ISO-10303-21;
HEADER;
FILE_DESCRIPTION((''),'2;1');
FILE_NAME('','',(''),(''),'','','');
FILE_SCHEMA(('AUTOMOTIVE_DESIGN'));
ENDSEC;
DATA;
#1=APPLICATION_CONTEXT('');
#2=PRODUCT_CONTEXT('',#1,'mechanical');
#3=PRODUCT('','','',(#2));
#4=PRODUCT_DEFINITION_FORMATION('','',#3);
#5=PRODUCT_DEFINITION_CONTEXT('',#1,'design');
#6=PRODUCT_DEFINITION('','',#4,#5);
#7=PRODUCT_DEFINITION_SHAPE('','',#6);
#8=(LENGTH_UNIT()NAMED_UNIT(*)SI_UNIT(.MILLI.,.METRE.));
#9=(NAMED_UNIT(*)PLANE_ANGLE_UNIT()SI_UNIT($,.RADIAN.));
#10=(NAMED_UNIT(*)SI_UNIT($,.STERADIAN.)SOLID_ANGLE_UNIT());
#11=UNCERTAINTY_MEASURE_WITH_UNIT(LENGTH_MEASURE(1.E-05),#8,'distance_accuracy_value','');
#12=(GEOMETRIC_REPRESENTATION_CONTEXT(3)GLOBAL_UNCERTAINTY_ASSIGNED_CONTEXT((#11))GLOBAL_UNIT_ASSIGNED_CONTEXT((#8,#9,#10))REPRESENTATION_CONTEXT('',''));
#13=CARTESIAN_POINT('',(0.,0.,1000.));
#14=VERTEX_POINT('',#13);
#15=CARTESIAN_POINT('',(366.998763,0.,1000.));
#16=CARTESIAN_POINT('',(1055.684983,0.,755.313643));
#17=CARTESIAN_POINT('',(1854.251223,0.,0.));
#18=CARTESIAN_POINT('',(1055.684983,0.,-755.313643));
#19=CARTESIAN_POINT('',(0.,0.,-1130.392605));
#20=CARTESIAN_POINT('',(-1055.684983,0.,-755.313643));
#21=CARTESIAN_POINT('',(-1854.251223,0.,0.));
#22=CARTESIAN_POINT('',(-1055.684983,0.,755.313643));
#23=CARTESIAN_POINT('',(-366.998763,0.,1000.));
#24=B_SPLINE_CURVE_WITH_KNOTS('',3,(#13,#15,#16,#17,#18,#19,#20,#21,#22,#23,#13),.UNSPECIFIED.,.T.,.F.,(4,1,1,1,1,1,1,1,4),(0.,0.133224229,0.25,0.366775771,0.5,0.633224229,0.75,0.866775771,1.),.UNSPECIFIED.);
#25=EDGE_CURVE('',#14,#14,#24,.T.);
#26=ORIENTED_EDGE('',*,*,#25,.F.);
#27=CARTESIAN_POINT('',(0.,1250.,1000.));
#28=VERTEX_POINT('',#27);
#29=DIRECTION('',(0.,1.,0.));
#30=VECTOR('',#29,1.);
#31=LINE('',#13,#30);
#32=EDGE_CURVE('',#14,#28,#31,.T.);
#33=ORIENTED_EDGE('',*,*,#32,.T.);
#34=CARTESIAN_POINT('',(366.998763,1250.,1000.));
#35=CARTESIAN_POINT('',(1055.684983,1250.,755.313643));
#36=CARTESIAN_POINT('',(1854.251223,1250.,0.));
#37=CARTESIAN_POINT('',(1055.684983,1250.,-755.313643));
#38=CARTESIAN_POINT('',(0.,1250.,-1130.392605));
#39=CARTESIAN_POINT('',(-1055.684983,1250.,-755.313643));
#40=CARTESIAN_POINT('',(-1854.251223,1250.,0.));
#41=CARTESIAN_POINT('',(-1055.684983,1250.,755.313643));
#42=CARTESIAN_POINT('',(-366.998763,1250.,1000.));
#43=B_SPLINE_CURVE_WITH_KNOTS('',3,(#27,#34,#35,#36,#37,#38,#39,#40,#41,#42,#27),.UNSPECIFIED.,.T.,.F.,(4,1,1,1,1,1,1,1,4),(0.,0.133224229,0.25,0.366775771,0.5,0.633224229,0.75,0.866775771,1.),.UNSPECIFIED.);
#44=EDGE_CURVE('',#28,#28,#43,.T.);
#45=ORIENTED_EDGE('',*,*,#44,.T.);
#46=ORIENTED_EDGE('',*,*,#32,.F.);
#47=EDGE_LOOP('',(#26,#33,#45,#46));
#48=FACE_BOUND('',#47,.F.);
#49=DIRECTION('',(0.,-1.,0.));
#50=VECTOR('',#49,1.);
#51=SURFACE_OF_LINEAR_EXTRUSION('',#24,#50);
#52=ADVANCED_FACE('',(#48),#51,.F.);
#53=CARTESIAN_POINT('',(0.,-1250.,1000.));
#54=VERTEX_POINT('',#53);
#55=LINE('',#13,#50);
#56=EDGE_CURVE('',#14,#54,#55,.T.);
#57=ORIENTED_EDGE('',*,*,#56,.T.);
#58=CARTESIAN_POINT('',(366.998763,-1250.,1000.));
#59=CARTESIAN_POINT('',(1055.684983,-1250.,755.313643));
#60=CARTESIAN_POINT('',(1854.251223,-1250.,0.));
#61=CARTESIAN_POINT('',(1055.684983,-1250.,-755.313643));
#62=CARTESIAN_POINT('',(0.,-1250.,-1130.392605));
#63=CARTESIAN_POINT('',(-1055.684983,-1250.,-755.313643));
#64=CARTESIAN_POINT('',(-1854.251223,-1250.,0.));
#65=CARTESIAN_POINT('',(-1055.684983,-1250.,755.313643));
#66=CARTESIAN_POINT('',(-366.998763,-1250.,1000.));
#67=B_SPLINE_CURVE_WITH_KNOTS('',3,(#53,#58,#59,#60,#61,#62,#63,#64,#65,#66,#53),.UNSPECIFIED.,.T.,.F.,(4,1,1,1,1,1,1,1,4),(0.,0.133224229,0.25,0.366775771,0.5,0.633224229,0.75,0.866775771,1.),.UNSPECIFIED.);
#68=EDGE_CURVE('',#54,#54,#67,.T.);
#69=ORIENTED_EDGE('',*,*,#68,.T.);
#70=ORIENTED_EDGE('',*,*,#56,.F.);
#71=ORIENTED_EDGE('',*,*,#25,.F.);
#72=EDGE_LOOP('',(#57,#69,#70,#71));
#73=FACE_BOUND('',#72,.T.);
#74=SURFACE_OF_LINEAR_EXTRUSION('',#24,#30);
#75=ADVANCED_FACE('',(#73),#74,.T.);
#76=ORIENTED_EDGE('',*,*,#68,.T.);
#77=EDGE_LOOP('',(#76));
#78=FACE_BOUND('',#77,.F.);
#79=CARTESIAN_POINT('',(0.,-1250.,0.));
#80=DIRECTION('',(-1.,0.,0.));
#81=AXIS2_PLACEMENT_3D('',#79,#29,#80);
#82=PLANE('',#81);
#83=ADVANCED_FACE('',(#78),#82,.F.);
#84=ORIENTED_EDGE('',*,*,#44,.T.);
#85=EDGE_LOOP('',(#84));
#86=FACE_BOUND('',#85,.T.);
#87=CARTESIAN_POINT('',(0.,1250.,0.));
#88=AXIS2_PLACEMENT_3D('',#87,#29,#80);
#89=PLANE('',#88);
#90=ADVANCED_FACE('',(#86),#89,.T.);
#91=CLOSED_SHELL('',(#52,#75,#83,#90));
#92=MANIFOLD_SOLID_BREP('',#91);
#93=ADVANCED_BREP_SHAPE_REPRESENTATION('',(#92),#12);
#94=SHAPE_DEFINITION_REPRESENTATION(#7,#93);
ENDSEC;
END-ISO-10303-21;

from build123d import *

# Parameters (mm, degrees)
F1_DEPTH = 1250


with BuildPart() as f1:
    # F0 (on Front) → F1 (new body, symmetric)
    with BuildSketch(Plane.XZ):
        with BuildLine():
            add(Edge.make_bspline(
                [(0, 1000), (366.9987625798, 1000), (1055.6849831583, 755.3136427442), (1854.2512233964, 0), (1055.6849831583, -755.3136427442), (0, -1130.3926050061), (-1055.6849831583, -755.3136427442), (-1854.2512233964, 0), (-1055.6849831583, 755.3136427442), (-366.9987625798, 1000), (0, 1000)],
                knots=[0, 0, 0, 0, 0.1332242288, 0.25, 0.3667757712, 0.5, 0.6332242288, 0.75, 0.8667757712, 1, 1, 1, 1], degree=3))
        make_face()
    extrude(amount=F1_DEPTH, both=True)


solid = f1.part
